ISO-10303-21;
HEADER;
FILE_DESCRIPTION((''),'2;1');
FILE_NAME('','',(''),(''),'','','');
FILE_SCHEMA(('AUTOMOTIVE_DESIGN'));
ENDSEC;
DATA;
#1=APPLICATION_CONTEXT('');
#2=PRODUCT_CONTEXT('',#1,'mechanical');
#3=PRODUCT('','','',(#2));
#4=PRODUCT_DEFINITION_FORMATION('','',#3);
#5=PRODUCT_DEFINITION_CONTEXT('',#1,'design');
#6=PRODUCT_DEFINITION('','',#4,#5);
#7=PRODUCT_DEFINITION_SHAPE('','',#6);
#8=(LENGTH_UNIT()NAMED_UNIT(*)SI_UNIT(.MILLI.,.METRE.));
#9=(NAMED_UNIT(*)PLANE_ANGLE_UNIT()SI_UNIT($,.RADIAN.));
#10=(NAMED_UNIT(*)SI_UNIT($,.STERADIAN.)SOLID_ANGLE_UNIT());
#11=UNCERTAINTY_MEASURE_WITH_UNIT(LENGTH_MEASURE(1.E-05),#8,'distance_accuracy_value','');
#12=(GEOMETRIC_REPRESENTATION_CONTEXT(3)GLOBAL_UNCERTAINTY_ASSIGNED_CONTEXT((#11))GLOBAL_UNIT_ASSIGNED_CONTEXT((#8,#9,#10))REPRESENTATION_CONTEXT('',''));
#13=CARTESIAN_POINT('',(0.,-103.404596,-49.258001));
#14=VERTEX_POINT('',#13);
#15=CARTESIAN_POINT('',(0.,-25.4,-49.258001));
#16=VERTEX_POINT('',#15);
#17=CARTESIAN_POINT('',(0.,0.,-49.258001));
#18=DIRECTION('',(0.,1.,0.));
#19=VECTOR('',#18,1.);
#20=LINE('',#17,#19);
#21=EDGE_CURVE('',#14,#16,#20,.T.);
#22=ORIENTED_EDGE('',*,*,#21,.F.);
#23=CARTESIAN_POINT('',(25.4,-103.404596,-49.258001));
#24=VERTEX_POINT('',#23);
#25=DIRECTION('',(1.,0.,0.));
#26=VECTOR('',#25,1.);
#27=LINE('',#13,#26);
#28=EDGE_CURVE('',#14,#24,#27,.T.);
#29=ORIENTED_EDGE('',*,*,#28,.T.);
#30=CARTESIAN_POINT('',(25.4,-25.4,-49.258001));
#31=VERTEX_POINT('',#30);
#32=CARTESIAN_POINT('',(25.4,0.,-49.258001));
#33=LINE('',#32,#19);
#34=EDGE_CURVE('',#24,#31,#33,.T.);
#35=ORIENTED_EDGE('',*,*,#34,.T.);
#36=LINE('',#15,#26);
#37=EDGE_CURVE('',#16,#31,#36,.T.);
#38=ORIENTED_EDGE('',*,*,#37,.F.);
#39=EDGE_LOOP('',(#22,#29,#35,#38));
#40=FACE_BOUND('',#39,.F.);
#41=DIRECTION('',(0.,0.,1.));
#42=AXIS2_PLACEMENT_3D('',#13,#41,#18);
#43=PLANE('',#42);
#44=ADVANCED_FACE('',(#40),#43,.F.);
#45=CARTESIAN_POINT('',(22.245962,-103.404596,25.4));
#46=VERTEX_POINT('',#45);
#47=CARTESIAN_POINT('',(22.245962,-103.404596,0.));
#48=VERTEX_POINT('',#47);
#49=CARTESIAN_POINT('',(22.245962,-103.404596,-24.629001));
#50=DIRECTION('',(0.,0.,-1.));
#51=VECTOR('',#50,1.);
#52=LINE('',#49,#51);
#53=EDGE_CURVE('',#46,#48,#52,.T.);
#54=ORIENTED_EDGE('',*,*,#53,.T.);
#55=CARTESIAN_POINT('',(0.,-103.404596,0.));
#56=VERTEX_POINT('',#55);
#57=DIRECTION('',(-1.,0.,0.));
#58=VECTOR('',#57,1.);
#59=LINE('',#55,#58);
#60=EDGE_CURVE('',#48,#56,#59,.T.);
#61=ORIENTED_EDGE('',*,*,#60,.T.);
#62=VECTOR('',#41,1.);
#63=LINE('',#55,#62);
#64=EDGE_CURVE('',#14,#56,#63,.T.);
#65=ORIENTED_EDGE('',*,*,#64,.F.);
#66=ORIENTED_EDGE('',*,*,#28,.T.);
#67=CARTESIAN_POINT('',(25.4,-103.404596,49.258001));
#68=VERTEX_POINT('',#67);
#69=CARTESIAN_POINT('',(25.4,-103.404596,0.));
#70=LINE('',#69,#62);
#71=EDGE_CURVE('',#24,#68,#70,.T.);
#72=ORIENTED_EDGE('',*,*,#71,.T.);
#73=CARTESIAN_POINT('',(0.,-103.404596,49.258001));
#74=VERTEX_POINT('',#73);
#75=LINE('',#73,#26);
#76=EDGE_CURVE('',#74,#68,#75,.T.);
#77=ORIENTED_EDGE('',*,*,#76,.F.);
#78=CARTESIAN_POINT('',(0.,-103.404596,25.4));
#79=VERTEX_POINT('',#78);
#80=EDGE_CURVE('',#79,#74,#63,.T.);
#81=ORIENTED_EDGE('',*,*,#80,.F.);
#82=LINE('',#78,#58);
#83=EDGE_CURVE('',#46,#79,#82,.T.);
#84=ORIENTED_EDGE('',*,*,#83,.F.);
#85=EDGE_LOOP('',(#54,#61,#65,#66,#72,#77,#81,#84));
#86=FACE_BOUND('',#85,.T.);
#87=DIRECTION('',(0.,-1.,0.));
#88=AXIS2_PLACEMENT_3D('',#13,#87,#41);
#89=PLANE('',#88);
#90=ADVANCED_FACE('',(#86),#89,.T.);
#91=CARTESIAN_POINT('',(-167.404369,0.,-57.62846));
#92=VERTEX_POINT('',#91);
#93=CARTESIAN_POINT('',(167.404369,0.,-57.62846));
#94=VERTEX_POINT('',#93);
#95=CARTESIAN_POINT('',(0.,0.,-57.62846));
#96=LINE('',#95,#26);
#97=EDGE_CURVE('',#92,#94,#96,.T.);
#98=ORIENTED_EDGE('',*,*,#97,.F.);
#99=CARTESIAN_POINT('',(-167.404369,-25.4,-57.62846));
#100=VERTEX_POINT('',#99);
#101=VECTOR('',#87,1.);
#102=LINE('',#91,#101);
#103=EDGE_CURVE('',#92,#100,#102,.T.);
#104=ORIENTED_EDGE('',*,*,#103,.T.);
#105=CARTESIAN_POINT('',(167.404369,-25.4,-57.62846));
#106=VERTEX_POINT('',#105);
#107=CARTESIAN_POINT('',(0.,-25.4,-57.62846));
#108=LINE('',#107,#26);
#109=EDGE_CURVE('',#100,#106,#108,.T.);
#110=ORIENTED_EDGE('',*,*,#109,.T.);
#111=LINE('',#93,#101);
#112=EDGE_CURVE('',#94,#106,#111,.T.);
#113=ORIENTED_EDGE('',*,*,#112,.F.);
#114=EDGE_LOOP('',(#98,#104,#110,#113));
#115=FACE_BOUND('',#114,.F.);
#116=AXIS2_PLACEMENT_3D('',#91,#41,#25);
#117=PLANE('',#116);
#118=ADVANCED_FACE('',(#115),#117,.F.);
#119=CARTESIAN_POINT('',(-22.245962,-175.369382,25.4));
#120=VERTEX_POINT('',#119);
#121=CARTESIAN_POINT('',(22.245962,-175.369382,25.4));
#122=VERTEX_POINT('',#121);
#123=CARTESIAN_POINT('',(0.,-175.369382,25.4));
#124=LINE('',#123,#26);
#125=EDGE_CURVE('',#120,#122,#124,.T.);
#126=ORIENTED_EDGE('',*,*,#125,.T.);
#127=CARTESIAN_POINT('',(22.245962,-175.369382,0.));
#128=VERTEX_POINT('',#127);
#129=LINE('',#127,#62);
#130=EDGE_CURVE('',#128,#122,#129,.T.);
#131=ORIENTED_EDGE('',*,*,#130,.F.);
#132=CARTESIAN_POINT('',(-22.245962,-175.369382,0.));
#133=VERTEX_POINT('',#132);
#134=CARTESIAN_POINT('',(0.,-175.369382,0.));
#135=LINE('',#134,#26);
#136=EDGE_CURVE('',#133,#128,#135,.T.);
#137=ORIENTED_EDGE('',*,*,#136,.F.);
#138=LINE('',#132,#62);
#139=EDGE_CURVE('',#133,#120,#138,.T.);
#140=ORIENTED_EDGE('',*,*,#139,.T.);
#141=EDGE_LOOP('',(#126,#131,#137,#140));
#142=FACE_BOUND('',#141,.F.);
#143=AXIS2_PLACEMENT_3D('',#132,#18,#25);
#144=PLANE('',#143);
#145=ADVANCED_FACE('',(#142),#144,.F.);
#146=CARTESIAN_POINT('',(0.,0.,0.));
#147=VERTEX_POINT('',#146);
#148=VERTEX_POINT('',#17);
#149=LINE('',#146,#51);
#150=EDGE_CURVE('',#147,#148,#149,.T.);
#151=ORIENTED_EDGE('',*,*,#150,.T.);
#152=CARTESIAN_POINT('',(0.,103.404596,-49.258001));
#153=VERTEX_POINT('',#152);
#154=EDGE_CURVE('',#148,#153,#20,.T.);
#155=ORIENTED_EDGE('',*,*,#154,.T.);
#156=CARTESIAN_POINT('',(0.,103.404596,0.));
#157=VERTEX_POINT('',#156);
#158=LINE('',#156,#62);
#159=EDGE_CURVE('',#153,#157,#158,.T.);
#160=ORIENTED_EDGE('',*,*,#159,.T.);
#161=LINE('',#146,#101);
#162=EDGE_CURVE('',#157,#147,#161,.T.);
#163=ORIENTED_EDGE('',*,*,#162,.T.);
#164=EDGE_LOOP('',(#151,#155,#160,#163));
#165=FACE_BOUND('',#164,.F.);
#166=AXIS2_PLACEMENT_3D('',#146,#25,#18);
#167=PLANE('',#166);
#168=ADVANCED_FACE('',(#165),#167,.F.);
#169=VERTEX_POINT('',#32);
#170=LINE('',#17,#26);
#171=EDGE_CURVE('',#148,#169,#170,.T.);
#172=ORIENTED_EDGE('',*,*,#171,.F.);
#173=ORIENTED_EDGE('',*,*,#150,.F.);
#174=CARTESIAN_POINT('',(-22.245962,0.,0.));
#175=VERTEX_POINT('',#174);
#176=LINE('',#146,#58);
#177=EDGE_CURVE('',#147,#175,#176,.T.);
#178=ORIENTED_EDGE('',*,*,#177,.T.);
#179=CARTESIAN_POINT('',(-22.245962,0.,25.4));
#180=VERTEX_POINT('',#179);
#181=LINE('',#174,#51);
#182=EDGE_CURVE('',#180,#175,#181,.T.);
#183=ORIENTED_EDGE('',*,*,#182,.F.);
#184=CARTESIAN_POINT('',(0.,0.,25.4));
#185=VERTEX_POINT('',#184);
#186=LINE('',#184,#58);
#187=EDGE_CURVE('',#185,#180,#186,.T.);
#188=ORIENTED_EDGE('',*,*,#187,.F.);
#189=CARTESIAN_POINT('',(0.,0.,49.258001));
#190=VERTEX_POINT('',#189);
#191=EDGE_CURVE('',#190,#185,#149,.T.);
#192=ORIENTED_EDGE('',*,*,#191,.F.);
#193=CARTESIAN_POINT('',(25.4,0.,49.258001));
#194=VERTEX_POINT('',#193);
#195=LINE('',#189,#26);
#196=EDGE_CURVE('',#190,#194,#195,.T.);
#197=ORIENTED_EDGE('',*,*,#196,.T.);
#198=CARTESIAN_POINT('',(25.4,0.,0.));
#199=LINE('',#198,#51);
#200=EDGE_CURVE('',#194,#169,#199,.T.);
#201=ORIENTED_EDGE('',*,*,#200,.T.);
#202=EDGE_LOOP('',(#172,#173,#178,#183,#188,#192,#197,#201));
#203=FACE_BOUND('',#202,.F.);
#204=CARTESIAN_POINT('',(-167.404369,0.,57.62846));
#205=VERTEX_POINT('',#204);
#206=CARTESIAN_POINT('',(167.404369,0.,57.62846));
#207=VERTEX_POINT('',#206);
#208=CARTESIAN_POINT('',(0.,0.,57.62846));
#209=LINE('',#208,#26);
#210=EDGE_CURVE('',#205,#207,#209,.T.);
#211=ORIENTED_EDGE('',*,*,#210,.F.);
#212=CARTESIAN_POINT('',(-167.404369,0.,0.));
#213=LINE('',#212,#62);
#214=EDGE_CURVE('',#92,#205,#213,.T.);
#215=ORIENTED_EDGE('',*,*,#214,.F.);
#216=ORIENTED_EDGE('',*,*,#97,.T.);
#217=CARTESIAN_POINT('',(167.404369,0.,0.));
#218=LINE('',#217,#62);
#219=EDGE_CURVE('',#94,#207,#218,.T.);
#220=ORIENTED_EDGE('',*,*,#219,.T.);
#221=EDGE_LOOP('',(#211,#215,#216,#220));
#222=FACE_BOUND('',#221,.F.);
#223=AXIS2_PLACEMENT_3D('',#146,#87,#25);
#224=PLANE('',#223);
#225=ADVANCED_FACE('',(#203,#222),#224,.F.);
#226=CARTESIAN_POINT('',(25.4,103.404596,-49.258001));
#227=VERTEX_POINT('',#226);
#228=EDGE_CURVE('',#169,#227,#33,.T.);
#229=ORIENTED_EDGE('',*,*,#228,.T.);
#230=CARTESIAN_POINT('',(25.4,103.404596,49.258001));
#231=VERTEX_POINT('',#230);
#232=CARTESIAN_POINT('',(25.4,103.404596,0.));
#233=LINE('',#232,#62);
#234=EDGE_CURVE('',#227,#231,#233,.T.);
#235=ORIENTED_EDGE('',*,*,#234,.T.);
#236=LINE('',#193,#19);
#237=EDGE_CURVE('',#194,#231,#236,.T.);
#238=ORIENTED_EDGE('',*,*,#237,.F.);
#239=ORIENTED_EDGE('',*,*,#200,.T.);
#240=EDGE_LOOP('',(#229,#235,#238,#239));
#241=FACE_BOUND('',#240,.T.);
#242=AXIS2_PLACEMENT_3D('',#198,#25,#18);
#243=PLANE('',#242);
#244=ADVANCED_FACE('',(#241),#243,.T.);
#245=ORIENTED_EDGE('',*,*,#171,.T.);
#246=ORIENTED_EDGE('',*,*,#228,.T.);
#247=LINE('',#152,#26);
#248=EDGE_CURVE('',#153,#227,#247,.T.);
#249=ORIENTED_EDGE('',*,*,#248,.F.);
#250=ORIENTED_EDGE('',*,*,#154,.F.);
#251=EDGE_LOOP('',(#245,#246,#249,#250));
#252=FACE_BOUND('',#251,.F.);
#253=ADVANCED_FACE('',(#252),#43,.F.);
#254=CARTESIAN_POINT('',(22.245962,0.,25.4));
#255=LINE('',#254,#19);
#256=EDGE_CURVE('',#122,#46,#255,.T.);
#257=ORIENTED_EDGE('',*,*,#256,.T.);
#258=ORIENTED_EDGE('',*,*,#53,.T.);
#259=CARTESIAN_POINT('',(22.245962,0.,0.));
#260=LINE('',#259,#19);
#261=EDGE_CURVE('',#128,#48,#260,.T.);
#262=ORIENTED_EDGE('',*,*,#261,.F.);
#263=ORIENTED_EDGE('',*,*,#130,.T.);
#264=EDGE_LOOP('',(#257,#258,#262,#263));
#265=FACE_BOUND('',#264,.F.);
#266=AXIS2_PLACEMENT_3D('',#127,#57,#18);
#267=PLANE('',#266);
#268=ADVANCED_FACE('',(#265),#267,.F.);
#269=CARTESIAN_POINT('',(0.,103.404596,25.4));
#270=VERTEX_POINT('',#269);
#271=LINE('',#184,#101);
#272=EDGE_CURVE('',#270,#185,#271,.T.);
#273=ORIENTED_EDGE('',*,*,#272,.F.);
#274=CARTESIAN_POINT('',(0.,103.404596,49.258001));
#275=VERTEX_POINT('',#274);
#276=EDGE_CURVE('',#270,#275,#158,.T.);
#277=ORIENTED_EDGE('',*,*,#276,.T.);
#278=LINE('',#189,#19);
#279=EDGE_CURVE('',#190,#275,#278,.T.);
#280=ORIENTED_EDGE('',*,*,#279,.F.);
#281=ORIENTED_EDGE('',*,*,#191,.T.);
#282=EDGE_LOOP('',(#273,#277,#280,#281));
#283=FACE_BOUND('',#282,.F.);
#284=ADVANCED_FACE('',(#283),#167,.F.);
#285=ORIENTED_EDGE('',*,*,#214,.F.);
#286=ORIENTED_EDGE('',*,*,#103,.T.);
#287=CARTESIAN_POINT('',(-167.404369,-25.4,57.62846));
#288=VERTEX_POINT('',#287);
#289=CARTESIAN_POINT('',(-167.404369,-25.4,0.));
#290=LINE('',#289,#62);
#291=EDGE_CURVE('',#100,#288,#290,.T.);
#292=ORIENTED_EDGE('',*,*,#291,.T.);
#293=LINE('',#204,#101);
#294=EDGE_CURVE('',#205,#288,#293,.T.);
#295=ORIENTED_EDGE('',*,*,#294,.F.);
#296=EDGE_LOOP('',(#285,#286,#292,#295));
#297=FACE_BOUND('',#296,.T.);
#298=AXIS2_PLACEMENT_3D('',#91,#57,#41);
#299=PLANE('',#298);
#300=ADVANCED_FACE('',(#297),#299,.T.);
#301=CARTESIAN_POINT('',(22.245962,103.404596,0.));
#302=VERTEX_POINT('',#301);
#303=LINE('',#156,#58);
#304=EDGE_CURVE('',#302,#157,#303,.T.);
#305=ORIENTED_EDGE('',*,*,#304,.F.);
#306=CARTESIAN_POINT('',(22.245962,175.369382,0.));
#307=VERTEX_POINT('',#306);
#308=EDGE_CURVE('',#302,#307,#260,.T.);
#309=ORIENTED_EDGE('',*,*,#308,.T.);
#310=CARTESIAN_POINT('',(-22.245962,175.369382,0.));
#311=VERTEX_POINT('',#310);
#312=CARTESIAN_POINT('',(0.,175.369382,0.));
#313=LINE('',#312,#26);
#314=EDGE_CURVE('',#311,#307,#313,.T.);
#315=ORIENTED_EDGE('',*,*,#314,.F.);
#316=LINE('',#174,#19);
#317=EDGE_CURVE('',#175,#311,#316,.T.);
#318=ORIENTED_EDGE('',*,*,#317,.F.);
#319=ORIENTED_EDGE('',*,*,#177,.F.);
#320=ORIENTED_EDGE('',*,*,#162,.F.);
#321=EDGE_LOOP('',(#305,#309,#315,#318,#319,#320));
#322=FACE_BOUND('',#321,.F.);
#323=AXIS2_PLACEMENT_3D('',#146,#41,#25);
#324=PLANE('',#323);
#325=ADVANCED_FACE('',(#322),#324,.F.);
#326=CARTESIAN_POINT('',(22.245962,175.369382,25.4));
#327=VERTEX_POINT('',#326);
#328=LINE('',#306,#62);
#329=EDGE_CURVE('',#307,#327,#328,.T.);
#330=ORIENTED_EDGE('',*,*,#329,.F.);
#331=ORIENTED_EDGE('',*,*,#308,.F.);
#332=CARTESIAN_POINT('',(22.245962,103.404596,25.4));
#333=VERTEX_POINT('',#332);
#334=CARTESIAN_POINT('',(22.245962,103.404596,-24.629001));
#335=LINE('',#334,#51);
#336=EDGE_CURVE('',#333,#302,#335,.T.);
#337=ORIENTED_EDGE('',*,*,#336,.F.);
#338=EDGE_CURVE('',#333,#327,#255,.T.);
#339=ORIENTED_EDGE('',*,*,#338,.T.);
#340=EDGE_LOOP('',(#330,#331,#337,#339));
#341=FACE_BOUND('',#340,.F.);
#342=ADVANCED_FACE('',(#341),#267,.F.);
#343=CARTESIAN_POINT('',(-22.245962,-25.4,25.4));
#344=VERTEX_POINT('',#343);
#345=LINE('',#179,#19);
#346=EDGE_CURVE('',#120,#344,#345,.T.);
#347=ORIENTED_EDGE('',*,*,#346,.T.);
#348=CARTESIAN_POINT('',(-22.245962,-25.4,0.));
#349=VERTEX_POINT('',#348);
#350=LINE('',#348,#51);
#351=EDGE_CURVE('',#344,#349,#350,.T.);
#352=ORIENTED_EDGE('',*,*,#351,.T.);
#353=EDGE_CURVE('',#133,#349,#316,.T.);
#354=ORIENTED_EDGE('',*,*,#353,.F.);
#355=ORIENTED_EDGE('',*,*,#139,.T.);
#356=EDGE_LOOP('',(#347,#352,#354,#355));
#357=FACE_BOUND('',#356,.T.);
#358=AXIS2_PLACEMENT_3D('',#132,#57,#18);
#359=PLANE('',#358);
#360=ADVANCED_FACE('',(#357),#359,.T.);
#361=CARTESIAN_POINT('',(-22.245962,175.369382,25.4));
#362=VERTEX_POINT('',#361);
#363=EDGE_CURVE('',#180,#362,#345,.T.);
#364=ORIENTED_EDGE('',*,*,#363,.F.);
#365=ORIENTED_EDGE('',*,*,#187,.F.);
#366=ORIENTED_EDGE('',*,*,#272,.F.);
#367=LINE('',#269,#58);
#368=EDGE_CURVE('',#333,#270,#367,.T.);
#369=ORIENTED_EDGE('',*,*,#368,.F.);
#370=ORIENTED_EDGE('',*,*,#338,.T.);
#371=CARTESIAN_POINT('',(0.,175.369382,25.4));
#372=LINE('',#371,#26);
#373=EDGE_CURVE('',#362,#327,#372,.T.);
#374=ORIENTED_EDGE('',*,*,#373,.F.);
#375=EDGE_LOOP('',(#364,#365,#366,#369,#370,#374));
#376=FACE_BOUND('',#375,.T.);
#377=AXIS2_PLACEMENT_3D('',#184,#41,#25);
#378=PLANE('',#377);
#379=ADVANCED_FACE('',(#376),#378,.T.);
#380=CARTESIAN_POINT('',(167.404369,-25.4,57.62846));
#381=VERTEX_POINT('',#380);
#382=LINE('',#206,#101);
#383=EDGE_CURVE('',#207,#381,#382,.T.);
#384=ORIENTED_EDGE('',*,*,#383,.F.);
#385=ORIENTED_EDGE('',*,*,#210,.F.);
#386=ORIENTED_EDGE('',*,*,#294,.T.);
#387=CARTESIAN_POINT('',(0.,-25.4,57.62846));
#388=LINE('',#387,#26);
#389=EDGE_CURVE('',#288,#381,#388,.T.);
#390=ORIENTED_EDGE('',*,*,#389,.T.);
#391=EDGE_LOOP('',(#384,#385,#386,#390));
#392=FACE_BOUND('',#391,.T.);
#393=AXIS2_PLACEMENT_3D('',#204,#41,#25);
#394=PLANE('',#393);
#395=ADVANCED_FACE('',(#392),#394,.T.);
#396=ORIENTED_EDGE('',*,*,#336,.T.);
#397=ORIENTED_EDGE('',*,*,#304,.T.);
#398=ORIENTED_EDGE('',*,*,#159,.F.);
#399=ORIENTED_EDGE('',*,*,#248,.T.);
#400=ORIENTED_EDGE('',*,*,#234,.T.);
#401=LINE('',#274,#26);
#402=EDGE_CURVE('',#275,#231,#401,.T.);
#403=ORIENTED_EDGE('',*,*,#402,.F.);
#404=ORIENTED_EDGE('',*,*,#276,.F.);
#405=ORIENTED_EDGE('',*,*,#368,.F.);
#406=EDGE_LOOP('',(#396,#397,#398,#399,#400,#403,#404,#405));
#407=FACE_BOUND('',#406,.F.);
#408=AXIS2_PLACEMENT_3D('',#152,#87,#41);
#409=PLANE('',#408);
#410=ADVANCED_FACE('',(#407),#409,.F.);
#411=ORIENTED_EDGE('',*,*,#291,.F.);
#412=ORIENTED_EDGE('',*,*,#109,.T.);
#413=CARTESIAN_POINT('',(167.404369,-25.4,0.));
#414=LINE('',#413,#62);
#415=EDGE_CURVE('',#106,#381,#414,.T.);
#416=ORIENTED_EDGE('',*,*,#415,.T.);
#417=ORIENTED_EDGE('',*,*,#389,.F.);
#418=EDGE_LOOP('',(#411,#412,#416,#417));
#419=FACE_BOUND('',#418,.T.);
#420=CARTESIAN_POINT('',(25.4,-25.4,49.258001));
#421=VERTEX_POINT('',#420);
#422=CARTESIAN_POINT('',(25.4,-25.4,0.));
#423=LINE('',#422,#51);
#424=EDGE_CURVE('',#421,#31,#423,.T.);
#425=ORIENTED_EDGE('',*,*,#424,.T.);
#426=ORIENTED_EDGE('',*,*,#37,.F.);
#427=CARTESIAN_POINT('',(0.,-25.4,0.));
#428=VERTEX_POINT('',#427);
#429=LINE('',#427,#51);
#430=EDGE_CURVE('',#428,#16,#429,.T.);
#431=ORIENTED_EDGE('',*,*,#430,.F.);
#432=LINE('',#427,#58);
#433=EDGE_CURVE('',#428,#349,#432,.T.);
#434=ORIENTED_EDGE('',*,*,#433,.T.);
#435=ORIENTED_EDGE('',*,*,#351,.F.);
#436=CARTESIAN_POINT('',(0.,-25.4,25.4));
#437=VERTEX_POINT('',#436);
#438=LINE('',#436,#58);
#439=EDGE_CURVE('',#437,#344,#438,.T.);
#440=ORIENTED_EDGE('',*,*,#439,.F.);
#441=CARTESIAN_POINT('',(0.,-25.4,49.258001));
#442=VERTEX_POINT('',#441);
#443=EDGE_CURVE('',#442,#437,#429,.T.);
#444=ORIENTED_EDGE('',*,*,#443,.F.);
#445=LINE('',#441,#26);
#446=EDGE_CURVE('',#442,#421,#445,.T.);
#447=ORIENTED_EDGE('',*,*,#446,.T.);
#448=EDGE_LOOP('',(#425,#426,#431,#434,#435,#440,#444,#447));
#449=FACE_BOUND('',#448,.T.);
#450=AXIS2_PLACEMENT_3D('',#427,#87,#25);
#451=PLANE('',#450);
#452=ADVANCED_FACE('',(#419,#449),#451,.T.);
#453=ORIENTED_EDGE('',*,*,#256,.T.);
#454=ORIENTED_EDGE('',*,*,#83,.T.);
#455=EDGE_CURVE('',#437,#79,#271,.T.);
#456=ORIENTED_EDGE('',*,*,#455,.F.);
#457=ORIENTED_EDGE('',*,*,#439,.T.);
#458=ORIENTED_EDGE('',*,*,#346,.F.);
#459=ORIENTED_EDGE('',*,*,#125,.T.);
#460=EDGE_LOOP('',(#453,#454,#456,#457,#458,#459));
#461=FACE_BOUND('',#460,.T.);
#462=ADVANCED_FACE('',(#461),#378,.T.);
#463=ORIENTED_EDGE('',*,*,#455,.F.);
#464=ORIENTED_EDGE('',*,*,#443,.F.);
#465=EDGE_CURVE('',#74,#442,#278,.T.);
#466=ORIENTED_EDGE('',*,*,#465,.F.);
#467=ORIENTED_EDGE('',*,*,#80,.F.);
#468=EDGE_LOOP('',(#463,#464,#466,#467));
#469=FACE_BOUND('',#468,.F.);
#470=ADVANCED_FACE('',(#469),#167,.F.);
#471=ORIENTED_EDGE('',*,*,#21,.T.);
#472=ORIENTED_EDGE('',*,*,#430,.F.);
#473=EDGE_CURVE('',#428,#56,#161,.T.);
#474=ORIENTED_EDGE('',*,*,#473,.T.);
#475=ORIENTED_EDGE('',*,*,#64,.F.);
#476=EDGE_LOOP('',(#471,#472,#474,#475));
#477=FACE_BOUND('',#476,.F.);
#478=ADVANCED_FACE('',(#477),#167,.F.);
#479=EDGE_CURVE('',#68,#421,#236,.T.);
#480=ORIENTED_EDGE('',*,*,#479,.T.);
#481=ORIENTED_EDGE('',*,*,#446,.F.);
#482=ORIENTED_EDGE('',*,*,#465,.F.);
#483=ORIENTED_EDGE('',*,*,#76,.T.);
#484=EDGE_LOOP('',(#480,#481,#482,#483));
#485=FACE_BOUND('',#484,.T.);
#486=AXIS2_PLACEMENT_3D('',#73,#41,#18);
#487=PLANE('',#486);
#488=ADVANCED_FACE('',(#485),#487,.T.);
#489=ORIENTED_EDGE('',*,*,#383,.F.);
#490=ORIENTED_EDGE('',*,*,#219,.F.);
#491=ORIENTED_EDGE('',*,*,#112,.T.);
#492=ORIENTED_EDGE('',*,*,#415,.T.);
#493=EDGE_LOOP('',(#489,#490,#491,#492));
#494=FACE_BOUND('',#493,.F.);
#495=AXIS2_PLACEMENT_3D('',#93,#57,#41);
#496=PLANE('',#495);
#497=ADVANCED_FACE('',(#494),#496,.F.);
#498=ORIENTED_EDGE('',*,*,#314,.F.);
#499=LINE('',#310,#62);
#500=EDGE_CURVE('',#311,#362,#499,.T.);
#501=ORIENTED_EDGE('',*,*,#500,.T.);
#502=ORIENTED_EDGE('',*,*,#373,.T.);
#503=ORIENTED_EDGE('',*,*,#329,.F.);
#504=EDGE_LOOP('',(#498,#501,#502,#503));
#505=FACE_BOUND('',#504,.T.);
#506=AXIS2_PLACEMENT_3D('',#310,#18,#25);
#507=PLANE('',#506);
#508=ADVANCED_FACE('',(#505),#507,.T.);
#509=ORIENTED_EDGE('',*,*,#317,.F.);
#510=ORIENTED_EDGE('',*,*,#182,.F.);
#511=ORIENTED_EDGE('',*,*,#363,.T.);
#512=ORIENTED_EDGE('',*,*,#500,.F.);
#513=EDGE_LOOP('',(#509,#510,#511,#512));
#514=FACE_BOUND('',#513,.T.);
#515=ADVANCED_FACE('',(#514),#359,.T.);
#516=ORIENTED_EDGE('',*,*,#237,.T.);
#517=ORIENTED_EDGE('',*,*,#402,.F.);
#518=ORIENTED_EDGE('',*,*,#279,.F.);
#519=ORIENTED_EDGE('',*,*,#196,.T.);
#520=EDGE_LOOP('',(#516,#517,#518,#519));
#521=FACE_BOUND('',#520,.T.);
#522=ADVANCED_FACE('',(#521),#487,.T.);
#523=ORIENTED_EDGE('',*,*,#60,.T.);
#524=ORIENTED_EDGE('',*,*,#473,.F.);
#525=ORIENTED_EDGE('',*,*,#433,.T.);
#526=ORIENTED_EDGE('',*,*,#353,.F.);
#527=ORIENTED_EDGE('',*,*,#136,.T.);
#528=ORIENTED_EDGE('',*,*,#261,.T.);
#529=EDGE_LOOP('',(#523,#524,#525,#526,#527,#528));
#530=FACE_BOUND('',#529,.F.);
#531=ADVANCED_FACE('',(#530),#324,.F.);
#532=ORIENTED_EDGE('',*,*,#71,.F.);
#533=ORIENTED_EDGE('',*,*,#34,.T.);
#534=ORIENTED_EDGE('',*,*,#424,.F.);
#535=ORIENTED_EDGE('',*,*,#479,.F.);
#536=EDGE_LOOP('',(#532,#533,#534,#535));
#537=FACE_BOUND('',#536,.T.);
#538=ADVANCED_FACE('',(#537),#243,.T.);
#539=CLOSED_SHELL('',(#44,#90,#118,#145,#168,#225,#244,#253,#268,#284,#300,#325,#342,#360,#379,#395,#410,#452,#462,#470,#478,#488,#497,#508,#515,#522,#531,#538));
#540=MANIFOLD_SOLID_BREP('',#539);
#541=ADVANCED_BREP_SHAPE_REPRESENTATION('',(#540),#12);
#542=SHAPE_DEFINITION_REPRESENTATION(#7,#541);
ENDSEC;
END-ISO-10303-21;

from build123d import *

# Parameters (mm, degrees)
F0_W     = 206.809192
F0_H     = 98.516002
F3_DEPTH = 25.4
F1_W     = 334.808738
F1_H     = 115.25692
F4_DEPTH = 25.4
F2_W     = 44.491924
F2_H     = 350.738764
F5_DEPTH = 25.4


with BuildPart() as f3:
    # F0 (on Right) → F3 (new body)
    with BuildSketch(Plane.YZ):
        Rectangle(F0_W, F0_H)
    extrude(amount=F3_DEPTH)

    # F1 (on Front) → F4 (join)
    with BuildSketch(Plane.XZ):
        Rectangle(F1_W, F1_H)
    extrude(amount=F4_DEPTH)

    # F2 (on Top) → F5 (join)
    with BuildSketch(Plane.XY):
        Rectangle(F2_W, F2_H)
    extrude(amount=F5_DEPTH)


solid = f3.part
